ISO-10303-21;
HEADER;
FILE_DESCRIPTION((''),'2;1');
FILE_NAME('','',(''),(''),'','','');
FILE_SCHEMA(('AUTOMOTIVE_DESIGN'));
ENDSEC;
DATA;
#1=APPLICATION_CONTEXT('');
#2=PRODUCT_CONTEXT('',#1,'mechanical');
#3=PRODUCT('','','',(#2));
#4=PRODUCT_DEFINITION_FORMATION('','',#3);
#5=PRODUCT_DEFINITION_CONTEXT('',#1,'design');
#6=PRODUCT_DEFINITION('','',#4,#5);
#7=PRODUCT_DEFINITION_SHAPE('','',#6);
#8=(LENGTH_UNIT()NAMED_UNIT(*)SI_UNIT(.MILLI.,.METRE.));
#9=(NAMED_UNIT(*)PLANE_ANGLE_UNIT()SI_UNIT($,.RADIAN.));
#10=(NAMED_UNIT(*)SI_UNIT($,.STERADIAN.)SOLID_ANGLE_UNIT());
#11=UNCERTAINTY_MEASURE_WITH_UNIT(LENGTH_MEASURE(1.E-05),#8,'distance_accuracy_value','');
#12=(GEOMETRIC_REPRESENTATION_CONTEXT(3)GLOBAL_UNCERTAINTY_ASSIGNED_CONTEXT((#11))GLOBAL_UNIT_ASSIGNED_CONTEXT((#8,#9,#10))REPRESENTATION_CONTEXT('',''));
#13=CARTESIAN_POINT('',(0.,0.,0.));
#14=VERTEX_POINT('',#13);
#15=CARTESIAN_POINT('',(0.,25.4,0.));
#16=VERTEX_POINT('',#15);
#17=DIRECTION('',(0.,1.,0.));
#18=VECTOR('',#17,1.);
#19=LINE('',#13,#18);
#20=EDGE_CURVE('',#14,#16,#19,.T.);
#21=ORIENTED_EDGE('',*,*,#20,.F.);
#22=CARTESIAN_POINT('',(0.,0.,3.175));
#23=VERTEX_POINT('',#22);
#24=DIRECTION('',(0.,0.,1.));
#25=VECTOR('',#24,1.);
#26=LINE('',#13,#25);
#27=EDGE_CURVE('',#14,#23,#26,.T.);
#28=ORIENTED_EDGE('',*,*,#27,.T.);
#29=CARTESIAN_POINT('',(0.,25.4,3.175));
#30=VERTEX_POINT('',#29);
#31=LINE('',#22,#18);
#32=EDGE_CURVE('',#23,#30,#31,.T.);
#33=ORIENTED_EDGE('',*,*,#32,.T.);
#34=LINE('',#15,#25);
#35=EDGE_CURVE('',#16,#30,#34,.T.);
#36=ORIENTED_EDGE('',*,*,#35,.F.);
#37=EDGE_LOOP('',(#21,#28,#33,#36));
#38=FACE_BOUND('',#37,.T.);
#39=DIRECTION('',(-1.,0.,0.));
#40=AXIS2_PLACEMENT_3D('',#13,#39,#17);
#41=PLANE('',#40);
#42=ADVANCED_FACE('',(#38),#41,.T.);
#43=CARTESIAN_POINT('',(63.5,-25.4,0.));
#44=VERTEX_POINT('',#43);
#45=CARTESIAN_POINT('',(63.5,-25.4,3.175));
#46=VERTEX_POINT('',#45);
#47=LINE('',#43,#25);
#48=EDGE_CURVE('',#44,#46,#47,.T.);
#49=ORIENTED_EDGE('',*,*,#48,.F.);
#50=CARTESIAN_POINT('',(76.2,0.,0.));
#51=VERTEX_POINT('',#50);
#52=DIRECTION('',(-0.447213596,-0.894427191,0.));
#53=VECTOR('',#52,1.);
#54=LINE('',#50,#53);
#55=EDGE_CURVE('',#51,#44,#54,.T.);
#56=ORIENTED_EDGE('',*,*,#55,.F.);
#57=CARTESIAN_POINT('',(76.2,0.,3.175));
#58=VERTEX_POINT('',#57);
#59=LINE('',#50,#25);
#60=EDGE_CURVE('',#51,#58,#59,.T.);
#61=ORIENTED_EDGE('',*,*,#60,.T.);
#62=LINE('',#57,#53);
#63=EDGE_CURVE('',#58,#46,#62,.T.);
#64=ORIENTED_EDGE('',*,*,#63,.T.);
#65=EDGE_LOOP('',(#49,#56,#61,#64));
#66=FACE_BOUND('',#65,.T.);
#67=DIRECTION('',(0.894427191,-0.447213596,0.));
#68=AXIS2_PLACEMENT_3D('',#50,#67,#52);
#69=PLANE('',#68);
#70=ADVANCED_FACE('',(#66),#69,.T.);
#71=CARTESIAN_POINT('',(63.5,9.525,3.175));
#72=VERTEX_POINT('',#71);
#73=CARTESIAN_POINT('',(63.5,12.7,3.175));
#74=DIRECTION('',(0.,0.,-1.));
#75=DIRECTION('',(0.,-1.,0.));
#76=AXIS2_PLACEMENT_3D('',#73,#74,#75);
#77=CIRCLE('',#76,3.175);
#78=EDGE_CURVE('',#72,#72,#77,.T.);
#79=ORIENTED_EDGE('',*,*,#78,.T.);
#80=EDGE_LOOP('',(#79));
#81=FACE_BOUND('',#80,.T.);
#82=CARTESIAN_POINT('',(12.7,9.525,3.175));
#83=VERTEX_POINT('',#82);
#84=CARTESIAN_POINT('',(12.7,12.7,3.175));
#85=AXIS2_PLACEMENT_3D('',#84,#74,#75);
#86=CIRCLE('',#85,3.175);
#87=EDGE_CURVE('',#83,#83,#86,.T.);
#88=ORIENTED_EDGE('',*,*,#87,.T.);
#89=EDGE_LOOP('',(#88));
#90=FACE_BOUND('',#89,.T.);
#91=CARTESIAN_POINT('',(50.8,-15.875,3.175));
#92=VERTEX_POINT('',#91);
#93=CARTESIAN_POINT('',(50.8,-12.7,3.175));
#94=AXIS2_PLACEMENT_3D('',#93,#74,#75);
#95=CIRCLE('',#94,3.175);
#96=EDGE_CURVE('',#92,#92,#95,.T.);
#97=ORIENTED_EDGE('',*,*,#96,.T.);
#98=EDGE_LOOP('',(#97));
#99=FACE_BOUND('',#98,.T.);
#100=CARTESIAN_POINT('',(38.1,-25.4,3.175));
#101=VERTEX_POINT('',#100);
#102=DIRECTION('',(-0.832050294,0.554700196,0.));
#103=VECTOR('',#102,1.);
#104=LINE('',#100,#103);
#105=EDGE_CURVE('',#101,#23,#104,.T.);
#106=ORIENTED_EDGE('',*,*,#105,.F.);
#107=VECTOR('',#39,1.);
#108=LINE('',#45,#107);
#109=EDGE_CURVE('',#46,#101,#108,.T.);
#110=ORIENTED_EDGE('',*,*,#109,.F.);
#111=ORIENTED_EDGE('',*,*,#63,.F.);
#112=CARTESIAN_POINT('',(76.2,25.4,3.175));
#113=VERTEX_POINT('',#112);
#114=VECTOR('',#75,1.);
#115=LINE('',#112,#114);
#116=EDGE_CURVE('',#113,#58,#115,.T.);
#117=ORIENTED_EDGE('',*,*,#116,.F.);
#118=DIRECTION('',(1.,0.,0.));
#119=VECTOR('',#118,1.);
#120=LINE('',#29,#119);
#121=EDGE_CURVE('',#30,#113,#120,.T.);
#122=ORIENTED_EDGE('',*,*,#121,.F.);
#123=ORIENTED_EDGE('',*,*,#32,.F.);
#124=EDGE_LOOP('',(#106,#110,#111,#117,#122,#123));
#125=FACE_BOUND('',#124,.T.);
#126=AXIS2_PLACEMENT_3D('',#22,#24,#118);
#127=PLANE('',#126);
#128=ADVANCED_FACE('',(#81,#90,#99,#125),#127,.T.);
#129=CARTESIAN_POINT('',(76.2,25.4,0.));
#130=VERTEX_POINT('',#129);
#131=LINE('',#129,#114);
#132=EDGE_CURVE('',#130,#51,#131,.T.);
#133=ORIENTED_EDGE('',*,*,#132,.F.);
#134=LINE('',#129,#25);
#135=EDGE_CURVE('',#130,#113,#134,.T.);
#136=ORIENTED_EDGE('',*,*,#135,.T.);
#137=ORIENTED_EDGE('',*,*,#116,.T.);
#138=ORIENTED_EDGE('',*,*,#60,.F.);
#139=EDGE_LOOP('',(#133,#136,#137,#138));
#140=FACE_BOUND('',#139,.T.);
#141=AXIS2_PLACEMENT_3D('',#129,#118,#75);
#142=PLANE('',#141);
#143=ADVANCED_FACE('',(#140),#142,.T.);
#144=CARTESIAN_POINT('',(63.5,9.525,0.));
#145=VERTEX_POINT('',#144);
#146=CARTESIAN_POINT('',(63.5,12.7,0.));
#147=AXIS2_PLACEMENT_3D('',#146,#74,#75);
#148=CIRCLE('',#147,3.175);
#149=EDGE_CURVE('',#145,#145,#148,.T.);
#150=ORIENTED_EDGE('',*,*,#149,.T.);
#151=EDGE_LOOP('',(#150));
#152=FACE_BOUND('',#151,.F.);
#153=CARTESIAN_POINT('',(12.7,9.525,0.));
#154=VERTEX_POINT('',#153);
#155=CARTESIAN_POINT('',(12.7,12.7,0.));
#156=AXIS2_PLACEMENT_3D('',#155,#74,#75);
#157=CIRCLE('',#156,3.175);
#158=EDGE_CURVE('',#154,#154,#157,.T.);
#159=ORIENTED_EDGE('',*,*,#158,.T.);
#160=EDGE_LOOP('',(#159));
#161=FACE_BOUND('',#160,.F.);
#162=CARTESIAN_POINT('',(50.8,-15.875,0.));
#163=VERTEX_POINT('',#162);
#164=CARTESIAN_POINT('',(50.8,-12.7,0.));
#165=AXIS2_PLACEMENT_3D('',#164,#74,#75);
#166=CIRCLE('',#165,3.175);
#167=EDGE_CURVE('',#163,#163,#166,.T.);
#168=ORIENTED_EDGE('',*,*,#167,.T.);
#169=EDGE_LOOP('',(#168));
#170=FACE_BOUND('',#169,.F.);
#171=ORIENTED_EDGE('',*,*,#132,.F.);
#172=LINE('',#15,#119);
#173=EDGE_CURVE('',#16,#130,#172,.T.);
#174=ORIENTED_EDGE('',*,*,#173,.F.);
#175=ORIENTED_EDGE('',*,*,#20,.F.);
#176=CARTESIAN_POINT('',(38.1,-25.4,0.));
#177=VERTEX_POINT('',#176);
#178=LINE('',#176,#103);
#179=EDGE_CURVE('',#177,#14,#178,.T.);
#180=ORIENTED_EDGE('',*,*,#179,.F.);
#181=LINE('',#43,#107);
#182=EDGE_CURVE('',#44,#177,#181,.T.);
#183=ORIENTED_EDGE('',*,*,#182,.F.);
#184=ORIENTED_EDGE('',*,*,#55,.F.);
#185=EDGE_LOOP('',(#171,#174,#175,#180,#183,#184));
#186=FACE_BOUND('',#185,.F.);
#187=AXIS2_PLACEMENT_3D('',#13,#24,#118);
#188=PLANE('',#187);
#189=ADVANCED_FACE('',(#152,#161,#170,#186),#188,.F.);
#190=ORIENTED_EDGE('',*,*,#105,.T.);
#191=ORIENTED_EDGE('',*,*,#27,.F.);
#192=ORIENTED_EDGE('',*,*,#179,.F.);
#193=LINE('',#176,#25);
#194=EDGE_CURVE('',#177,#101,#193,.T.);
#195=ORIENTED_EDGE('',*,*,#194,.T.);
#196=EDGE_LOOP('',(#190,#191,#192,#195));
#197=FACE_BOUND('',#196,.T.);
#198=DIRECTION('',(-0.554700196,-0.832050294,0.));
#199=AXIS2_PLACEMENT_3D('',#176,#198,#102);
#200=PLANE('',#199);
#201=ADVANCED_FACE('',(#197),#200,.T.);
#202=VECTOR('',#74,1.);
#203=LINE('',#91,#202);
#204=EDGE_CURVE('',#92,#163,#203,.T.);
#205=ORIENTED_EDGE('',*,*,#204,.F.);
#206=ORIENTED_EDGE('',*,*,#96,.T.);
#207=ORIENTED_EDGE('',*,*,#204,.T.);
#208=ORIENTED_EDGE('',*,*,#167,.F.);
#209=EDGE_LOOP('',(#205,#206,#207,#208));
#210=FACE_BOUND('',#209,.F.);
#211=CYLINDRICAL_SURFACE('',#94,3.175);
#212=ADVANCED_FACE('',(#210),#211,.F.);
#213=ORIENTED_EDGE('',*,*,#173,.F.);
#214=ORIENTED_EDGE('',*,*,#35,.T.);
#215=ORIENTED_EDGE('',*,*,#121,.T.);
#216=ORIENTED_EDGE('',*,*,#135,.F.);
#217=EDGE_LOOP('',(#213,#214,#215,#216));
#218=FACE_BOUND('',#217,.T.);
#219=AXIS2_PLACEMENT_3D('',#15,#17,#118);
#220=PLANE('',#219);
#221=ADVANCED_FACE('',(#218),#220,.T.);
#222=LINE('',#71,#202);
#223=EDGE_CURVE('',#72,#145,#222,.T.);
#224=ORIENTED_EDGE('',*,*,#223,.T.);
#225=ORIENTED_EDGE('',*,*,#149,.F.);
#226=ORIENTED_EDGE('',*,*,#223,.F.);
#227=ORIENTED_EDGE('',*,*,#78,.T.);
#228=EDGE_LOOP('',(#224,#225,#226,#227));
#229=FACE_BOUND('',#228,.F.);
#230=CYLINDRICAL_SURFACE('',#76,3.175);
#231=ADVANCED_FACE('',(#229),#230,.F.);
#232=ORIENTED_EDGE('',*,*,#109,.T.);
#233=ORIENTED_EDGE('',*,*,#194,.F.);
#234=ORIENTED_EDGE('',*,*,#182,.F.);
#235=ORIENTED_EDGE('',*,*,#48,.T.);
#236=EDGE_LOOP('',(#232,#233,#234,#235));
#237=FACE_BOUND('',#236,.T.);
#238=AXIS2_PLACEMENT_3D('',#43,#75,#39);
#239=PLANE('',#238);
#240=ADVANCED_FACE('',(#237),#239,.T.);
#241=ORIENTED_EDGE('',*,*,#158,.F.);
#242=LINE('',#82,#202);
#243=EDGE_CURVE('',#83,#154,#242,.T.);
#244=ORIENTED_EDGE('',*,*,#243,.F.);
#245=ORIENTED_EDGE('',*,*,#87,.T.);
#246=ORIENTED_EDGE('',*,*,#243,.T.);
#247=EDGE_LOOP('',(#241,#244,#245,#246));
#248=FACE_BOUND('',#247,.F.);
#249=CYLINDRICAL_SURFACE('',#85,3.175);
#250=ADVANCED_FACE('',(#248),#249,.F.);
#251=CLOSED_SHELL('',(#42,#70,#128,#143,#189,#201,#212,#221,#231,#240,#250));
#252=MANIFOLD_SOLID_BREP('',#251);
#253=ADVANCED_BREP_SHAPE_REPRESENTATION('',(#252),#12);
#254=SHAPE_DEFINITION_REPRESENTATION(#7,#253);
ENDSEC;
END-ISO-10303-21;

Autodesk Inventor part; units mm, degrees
ref_plane "YZ Plane" through (0, 0, 0) normal (1, 0, 0) x (0, 1, 0)
ref_plane "XZ Plane" through (0, 0, 0) normal (0, 1, 0) x (-1, 0, 0)
ref_plane "XY Plane" through (0, 0, 0) normal (0, 0, 1) x (1, 0, 0)
sketch "Sketch1" plane through (0, 0, 0) normal (0, 0, 1) x (1, 0, 0)
  line L0 (0, 0) -> (0, 25.4)
  line L1 (0, 25.4) -> (76.2, 25.4)
  line L2 (76.2, 25.4) -> (76.2, 0)
  line L3 (76.2, 0) -> (63.5, -25.4)
  line L4 (63.5, -25.4) -> (38.1, -25.4)
  line L5 (38.1, -25.4) -> (0, 0)
  dimension "d1" = 25.4
  dimension "d2" = 25.4
  dimension "d3" = 25.4
  dimension "d4" = 76.2
  dimension "d5" = 50.8
  dimension "d6" = 38.1
extrude "Extrusion1" add sketch "Sketch1" along normal blind 3.175
sketch "Sketch2" plane through (0, 0, 3.175) normal (0, 0, 1) x (1, 0, 0)
  line L0 (0, 25.4) -> (0, 0) projected
  line L1 (38.1, -25.4) -> (63.5, -25.4) projected
  line L2 (76.2, -25.4) -> (76.2, 25.4) projected
  line L3 (76.2, 25.4) -> (0, 25.4) projected
  point P0 (76.2, 0)
  point P1 (12.7, 12.7)
  point P2 (63.5, 12.7)
  point P3 (50.8, -12.7)
  dimension "d9" = 12.7
  dimension "d10" = 12.7
  dimension "d11" = 12.7
  dimension "d12" = 12.7
  dimension "d13" = 12.7
  dimension "d14" = 12.7
  dimension "d22" = 52.3634
hole "Hole1" at (12.7, 12.7, 3.175) at (63.5, 12.7, 3.175) at (50.8, -12.7, 3.175) direction (0, 0, -1) diameter 6.35 end through all
properties part number "TriangleBracket" material "Aluminum 6061"
